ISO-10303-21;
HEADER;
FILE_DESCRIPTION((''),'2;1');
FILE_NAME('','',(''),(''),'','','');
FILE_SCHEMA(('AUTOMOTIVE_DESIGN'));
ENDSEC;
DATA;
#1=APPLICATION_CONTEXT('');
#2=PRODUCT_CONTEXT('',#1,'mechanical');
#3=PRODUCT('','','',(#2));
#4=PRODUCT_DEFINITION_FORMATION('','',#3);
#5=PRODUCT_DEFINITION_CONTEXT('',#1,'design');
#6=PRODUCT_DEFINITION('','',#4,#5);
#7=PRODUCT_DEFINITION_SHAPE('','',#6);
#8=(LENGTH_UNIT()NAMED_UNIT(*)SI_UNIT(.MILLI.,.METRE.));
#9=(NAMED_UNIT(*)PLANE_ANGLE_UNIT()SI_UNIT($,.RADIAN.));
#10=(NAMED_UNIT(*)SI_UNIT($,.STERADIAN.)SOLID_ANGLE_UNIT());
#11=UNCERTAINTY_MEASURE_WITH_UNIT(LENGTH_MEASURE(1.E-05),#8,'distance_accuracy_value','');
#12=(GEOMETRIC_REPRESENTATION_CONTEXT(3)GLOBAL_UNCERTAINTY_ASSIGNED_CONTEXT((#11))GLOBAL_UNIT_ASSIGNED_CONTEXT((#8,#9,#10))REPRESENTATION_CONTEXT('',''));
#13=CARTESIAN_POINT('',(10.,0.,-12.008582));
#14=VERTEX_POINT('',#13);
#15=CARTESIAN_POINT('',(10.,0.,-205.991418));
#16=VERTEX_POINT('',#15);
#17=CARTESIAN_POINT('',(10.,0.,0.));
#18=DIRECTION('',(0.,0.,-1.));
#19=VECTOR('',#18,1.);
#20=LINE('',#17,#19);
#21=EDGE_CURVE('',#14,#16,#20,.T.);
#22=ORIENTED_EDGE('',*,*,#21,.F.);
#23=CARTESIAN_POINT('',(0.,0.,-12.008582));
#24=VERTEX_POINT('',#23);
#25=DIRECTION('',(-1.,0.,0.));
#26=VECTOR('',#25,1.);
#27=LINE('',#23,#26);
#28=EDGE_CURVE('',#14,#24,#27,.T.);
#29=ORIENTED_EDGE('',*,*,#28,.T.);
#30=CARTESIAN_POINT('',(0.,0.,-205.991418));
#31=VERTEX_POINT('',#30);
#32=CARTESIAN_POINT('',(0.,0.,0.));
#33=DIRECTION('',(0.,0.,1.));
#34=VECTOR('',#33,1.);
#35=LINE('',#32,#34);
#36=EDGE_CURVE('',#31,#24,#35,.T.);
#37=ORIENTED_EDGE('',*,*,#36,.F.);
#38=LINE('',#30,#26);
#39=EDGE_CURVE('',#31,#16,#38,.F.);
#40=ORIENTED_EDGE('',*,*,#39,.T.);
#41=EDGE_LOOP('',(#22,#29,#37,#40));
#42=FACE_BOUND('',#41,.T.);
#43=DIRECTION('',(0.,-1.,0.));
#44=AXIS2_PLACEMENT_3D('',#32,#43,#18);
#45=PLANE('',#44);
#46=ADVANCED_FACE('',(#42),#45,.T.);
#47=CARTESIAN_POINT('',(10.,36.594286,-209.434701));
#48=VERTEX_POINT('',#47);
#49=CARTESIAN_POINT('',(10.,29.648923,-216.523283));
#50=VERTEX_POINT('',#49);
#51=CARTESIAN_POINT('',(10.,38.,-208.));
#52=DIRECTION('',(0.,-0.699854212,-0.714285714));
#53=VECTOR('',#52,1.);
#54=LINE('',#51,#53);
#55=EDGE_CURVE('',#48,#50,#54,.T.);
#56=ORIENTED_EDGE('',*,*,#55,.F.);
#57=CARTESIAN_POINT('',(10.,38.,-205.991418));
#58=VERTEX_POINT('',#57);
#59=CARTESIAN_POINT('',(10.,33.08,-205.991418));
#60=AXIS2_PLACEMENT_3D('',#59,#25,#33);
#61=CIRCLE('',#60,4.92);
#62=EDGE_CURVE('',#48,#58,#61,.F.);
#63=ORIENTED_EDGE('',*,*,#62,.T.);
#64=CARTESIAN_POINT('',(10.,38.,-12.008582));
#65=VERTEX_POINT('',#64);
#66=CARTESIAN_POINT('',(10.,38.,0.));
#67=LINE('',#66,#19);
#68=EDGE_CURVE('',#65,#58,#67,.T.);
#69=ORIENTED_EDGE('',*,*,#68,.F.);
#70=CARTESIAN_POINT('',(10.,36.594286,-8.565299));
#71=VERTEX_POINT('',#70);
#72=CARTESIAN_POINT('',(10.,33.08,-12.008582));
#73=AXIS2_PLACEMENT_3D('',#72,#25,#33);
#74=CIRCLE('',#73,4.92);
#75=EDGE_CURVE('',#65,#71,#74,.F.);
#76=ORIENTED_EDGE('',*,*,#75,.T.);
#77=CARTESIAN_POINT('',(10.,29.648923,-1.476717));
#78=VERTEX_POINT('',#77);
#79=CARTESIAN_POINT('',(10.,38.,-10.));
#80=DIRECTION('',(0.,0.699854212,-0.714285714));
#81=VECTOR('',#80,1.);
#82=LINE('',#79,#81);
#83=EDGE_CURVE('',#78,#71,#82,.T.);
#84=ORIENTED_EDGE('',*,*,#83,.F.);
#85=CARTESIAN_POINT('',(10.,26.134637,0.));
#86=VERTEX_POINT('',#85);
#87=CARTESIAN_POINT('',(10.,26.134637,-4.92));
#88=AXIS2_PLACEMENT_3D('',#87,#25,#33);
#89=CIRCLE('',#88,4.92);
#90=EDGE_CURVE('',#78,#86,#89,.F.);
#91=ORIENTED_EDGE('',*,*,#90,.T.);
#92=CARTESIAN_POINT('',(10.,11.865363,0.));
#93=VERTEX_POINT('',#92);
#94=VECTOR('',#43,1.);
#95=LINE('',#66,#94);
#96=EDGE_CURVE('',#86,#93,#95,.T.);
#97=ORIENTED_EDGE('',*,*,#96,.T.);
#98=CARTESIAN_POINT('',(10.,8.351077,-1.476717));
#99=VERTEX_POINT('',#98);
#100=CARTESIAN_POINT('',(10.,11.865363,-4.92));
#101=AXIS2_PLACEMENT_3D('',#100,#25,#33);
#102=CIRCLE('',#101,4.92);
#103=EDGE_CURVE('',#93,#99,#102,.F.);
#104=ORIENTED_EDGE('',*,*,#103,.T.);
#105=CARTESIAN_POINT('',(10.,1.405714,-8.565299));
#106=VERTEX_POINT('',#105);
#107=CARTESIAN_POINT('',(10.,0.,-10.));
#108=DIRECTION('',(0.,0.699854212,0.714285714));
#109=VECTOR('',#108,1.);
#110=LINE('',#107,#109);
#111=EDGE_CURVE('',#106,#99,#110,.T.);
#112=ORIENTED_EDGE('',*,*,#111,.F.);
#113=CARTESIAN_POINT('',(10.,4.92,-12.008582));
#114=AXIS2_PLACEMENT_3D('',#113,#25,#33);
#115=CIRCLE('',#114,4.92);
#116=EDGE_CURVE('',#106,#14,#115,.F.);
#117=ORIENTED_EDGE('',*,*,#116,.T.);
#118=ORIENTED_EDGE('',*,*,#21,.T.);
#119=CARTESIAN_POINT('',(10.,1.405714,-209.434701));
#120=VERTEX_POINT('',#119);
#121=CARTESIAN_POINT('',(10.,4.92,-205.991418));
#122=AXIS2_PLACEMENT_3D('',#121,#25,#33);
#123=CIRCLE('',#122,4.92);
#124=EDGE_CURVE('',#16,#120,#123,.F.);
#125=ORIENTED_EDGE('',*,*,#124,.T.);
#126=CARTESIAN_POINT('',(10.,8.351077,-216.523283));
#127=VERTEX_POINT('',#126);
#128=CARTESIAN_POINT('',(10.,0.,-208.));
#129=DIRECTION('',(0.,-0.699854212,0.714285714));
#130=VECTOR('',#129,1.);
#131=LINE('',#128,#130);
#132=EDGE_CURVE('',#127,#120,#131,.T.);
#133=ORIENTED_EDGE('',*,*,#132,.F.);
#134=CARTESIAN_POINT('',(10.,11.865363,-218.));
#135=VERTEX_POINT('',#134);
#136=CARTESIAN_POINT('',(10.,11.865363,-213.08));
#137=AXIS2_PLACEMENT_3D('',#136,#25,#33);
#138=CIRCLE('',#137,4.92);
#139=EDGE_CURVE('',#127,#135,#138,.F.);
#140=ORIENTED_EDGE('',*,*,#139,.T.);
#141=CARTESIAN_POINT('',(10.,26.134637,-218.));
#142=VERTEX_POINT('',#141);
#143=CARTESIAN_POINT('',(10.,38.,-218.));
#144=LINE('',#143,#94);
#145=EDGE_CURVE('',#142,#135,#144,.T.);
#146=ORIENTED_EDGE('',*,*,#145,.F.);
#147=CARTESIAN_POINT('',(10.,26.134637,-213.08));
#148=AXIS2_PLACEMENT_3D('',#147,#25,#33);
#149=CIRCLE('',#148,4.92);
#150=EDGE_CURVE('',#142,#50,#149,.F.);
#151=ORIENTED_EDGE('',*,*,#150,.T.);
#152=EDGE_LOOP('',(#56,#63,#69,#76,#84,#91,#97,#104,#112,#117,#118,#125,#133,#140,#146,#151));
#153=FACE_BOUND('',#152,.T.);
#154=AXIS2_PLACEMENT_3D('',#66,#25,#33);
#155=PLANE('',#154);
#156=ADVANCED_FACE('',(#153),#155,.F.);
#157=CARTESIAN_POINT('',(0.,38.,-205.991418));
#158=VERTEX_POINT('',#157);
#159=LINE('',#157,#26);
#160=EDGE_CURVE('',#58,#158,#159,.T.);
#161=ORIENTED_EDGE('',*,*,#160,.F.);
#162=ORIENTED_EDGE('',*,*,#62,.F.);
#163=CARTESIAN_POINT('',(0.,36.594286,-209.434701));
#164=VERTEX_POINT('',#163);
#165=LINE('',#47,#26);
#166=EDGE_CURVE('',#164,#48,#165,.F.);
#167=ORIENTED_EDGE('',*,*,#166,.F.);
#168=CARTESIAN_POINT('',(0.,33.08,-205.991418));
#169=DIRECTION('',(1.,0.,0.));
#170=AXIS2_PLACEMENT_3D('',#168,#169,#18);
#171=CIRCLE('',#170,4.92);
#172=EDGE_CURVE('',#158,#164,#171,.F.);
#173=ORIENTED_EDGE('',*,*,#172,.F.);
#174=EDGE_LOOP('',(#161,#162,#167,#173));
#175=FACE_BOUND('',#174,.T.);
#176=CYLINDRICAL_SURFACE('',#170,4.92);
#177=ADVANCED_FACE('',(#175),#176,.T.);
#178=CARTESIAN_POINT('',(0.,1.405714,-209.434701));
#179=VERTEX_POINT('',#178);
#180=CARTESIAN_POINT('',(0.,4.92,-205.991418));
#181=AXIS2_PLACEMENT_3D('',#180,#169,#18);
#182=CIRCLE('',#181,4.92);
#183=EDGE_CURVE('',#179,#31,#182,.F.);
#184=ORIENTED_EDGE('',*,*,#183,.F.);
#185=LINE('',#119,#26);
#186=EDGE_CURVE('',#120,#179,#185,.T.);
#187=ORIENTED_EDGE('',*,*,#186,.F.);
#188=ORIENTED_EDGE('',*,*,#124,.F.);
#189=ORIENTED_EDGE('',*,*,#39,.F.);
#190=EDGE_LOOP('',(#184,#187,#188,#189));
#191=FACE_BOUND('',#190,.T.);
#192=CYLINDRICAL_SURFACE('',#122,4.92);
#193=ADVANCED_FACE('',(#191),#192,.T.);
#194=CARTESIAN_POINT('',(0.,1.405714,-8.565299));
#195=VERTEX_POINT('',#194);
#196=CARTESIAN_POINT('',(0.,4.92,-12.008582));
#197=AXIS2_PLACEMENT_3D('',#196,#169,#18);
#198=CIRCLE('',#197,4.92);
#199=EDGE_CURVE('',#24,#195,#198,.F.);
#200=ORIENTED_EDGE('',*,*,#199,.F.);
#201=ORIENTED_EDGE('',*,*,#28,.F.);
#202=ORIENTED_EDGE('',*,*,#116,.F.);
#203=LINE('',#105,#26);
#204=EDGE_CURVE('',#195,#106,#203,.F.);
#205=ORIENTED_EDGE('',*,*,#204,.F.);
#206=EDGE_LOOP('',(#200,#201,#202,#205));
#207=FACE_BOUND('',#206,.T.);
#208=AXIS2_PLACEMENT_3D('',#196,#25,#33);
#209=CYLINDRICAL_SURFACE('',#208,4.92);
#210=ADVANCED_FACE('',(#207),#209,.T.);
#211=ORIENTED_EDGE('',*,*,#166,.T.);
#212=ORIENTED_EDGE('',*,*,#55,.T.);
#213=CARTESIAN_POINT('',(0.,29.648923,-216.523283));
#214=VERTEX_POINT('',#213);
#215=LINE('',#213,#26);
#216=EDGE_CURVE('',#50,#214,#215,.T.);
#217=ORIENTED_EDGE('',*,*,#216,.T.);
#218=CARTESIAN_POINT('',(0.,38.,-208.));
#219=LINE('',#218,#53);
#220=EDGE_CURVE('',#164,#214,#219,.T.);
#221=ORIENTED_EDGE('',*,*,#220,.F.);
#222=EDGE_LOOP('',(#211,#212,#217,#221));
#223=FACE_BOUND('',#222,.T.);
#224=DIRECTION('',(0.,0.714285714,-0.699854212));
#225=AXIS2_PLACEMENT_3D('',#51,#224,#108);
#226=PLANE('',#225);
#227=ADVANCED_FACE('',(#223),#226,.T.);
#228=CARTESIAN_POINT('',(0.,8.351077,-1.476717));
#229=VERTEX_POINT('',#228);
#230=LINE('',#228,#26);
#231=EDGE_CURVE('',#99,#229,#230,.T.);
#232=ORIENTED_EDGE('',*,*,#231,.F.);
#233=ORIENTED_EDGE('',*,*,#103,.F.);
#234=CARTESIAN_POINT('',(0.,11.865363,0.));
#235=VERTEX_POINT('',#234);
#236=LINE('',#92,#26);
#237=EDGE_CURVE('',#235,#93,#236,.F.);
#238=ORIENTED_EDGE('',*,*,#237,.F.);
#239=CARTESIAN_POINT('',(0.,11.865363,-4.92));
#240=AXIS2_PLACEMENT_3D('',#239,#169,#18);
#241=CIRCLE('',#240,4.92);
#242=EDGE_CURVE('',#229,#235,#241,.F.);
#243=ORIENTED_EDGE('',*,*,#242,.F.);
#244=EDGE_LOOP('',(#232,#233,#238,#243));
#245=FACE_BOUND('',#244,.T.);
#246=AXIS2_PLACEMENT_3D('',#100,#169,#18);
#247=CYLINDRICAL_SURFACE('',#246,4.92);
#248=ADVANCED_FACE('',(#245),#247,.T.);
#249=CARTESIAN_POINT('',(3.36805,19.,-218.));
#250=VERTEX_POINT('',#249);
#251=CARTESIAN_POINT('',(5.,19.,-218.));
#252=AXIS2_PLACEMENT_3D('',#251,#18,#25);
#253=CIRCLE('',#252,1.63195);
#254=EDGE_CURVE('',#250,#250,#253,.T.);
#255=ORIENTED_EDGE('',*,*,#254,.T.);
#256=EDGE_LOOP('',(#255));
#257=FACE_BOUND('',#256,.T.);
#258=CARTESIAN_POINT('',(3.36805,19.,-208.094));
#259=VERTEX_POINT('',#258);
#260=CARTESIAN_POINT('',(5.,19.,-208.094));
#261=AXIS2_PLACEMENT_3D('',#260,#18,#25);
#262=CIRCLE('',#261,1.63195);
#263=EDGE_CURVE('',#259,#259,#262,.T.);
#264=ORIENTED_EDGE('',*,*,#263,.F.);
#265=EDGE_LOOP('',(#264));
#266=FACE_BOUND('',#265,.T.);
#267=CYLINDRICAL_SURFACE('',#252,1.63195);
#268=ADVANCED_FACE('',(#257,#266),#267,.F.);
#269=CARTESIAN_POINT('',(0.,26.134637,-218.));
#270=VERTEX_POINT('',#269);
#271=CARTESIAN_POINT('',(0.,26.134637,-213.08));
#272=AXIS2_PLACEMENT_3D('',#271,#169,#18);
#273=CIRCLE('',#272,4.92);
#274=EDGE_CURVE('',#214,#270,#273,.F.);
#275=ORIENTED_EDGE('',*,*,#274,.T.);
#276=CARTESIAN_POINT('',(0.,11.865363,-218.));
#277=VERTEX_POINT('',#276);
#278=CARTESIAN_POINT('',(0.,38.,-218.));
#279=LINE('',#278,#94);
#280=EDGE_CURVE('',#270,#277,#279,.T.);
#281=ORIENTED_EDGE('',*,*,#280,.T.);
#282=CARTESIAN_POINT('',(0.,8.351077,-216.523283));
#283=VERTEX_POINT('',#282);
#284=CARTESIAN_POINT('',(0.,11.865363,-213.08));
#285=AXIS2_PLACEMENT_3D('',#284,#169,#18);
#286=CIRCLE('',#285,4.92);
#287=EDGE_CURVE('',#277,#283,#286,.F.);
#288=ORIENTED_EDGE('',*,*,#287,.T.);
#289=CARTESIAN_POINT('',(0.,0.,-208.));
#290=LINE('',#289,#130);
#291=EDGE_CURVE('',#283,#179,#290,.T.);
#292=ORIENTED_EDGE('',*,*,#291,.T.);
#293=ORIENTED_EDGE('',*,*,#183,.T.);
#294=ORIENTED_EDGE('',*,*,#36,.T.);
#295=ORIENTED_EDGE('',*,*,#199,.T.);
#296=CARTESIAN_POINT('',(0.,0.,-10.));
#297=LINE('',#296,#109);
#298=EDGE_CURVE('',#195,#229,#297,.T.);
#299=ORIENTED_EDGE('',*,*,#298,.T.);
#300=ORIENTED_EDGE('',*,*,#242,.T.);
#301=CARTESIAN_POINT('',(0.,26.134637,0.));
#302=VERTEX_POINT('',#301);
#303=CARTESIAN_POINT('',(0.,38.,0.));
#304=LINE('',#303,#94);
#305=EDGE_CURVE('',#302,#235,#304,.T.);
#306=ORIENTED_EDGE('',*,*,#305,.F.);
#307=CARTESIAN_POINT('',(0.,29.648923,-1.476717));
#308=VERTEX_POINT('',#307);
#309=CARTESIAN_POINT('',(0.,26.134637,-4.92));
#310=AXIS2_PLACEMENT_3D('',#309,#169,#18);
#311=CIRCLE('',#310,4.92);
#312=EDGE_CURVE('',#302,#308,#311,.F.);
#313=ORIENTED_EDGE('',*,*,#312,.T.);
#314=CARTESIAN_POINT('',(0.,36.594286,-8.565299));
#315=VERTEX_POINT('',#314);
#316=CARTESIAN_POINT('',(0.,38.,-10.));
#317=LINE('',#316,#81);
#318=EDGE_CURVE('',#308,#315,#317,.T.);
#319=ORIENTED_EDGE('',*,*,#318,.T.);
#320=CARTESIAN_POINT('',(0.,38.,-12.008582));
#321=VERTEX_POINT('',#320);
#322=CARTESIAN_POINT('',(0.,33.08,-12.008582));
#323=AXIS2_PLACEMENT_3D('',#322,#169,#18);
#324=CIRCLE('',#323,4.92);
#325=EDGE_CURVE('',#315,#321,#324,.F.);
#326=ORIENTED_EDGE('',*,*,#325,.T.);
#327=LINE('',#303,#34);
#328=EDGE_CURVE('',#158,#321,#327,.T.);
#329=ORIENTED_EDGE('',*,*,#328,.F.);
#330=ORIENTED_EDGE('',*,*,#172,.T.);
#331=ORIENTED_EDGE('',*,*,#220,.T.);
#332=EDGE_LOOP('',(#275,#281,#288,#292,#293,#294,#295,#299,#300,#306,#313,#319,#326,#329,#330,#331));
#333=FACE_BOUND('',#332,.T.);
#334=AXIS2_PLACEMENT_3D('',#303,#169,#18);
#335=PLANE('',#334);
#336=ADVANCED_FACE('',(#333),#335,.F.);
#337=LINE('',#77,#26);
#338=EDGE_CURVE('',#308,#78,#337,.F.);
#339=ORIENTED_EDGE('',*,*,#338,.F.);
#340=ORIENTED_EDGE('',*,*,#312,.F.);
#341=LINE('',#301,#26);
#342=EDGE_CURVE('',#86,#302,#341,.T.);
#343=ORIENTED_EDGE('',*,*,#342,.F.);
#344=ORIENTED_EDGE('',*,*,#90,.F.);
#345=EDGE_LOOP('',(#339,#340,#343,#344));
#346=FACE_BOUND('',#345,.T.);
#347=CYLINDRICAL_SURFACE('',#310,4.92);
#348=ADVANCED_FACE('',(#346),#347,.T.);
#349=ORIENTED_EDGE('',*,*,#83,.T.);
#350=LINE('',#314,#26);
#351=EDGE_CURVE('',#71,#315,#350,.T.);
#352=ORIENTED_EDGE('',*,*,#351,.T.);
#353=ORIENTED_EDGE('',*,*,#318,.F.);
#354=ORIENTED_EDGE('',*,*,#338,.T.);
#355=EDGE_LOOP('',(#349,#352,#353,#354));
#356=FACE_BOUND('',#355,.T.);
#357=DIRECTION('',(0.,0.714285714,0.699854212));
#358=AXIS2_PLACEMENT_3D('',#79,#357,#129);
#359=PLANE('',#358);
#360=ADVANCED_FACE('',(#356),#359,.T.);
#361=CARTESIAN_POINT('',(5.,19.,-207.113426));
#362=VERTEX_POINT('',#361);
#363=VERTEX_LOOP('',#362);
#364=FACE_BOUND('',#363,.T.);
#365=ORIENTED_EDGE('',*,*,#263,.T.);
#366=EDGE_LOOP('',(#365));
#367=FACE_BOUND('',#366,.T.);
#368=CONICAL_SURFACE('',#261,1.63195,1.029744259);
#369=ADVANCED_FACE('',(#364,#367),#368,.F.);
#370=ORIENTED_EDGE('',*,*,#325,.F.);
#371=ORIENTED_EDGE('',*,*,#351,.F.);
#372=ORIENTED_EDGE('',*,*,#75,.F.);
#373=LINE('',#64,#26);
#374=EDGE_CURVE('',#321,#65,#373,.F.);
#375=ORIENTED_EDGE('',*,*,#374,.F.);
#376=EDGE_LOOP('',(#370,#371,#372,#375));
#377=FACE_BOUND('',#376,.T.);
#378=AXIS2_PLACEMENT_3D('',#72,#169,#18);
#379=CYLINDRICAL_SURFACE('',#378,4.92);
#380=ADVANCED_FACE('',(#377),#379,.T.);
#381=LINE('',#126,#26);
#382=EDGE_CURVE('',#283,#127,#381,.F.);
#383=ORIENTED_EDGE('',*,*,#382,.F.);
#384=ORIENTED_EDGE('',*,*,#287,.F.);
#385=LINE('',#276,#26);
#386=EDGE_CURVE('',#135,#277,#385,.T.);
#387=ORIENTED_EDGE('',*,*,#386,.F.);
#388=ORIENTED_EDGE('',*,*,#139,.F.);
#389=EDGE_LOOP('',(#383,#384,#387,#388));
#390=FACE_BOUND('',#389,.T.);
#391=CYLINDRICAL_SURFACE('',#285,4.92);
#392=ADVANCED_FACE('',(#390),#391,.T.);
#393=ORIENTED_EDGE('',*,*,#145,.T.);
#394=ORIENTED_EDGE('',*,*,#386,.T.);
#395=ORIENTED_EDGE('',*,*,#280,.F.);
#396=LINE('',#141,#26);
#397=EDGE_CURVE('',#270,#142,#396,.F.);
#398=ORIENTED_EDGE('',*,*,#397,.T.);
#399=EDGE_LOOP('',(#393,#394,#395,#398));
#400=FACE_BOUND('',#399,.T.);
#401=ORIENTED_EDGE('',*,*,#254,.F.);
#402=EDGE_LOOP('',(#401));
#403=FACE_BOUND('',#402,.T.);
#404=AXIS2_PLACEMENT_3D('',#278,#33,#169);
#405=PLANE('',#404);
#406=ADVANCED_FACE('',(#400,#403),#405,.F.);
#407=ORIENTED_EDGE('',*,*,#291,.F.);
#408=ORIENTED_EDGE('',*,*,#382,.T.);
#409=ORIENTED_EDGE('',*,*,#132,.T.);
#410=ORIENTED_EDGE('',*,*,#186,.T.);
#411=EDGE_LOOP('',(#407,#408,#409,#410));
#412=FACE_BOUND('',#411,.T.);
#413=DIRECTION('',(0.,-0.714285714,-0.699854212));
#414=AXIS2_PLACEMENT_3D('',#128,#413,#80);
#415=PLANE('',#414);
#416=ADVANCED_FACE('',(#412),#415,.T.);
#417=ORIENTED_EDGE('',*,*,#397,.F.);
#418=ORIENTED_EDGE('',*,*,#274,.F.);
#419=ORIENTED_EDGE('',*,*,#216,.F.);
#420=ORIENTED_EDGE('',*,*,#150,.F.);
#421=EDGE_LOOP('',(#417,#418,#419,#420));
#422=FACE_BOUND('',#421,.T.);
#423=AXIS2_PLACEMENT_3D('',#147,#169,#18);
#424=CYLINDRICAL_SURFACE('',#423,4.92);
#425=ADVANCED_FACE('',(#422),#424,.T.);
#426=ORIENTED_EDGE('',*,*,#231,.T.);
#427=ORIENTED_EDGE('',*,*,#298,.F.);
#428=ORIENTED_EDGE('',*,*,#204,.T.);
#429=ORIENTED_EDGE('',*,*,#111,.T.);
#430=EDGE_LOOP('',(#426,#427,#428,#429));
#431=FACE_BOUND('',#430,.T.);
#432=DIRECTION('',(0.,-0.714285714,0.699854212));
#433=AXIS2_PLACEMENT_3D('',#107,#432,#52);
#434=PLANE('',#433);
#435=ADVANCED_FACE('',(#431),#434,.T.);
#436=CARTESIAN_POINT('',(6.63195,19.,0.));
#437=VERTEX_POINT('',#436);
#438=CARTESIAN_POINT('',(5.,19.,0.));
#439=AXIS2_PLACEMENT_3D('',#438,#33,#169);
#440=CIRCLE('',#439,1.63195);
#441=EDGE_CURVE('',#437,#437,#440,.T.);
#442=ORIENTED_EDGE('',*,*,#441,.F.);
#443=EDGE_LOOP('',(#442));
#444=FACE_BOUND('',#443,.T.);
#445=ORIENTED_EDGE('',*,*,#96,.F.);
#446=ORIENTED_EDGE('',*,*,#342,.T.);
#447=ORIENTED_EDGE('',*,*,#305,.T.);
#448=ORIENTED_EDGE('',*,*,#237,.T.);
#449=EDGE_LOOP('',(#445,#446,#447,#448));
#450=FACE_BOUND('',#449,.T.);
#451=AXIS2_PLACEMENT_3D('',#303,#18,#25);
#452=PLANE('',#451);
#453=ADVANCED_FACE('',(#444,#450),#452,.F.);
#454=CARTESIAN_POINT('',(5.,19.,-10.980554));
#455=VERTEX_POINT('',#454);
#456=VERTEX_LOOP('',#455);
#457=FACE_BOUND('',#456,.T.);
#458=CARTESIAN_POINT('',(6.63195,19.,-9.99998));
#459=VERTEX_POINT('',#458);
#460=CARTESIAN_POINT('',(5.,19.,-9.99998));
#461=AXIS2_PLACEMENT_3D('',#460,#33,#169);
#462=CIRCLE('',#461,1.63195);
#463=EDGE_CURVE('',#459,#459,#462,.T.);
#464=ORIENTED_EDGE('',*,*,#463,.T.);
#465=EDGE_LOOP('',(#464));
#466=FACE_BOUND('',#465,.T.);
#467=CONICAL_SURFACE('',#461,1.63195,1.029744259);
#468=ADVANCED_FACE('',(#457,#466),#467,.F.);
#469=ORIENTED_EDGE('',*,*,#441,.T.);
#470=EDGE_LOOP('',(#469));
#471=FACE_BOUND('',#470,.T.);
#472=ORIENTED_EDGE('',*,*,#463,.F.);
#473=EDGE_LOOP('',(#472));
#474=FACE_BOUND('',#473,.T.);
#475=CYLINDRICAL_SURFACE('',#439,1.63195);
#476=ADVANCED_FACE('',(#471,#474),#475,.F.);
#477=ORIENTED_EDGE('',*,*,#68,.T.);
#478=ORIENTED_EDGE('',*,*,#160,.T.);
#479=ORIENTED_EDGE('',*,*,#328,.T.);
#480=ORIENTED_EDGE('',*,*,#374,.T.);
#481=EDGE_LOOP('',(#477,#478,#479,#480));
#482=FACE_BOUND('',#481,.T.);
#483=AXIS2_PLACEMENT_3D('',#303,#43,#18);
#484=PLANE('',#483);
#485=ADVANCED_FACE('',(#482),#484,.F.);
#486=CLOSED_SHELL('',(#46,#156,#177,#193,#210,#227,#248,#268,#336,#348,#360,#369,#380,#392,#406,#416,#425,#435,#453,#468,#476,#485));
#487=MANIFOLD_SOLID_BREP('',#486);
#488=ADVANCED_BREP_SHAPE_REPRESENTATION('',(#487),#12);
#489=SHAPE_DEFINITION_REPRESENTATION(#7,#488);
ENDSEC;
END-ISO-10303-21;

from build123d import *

# Parameters (mm, degrees)
SKETCH1_W                        = 10
SKETCH1_H                        = 218
BOSS_EXTRUDE1_DEPTH              = 38
CUT_EXTRUDE1_DEPTH               = 11
FILLET1_R                        = 4.92
F_30_0_1285_DIAMETER_HOLE1_D     = 3.2639
F_30_0_1285_DIAMETER_HOLE1_DEPTH = 9.99998
F_30_0_1285_DIAMETER_HOLE1_TIP   = 0.980574487
F_30_0_1285_DIAMETER_HOLE2_D     = 3.2639
F_30_0_1285_DIAMETER_HOLE2_DEPTH = 9.906
F_30_0_1285_DIAMETER_HOLE2_TIP   = 0.980574487


with BuildPart() as part:
    # Sketch1 → Boss-Extrude1 (new body)
    with BuildSketch(Plane(origin=(0, 0, 0), x_dir=(1, 0, 0), z_dir=(0, 1, 0))):
        with Locations((5, 109)):
            Rectangle(SKETCH1_W, SKETCH1_H)
    extrude(amount=BOSS_EXTRUDE1_DEPTH)

    # Sketch3 → Cut-Extrude1 (cut, through all)
    with BuildSketch(Plane(origin=(0, 0, 0), x_dir=(0, 0, -1), z_dir=(1, 0, 0))):
        Polygon((218, 38), (208, 38), (218, 28.202041029), align=None)
        Polygon((218, 9.797958971), (218, 0), (208, 0), align=None)
        Polygon((0, 0), (10, 0), (0, 9.797958971), align=None)
        Polygon((0, 28.202041029), (0, 38), (10, 38), align=None)
    extrude(amount=CUT_EXTRUDE1_DEPTH, mode=Mode.SUBTRACT)

    # Fillet1
    fillet1_edges = [part.edges().sort_by_distance(p)[0] for p in [
        (5, 28.202041029, 0),
        (5, 38, -10),
        (5, 9.797958971, 0),
        (5, 0, -10),
        (5, 9.797958971, -218),
        (5, 0, -208),
        (5, 28.202041029, -218),
        (5, 38, -208),
    ]]
    fillet(fillet1_edges, radius=FILLET1_R)

    # #30 (0.1285) Diameter Hole1
    with Locations(Plane.XY):
        with Locations((5, 19)):
            Hole(F_30_0_1285_DIAMETER_HOLE1_D / 2, depth=F_30_0_1285_DIAMETER_HOLE1_DEPTH)
            with Locations((0, 0, -(F_30_0_1285_DIAMETER_HOLE1_DEPTH + F_30_0_1285_DIAMETER_HOLE1_TIP / 2))):  # 118° drill point
                Cone(0, F_30_0_1285_DIAMETER_HOLE1_D / 2, F_30_0_1285_DIAMETER_HOLE1_TIP, mode=Mode.SUBTRACT)

    # #30 (0.1285) Diameter Hole2
    with Locations(Plane(origin=(0, 0, -218), x_dir=(-1, 0, 0), z_dir=(0, 0, -1))):
        with Locations((-5, 19)):
            Hole(F_30_0_1285_DIAMETER_HOLE2_D / 2, depth=F_30_0_1285_DIAMETER_HOLE2_DEPTH)
            with Locations((0, 0, -(F_30_0_1285_DIAMETER_HOLE2_DEPTH + F_30_0_1285_DIAMETER_HOLE2_TIP / 2))):  # 118° drill point
                Cone(0, F_30_0_1285_DIAMETER_HOLE2_D / 2, F_30_0_1285_DIAMETER_HOLE2_TIP, mode=Mode.SUBTRACT)


solid = part.part
